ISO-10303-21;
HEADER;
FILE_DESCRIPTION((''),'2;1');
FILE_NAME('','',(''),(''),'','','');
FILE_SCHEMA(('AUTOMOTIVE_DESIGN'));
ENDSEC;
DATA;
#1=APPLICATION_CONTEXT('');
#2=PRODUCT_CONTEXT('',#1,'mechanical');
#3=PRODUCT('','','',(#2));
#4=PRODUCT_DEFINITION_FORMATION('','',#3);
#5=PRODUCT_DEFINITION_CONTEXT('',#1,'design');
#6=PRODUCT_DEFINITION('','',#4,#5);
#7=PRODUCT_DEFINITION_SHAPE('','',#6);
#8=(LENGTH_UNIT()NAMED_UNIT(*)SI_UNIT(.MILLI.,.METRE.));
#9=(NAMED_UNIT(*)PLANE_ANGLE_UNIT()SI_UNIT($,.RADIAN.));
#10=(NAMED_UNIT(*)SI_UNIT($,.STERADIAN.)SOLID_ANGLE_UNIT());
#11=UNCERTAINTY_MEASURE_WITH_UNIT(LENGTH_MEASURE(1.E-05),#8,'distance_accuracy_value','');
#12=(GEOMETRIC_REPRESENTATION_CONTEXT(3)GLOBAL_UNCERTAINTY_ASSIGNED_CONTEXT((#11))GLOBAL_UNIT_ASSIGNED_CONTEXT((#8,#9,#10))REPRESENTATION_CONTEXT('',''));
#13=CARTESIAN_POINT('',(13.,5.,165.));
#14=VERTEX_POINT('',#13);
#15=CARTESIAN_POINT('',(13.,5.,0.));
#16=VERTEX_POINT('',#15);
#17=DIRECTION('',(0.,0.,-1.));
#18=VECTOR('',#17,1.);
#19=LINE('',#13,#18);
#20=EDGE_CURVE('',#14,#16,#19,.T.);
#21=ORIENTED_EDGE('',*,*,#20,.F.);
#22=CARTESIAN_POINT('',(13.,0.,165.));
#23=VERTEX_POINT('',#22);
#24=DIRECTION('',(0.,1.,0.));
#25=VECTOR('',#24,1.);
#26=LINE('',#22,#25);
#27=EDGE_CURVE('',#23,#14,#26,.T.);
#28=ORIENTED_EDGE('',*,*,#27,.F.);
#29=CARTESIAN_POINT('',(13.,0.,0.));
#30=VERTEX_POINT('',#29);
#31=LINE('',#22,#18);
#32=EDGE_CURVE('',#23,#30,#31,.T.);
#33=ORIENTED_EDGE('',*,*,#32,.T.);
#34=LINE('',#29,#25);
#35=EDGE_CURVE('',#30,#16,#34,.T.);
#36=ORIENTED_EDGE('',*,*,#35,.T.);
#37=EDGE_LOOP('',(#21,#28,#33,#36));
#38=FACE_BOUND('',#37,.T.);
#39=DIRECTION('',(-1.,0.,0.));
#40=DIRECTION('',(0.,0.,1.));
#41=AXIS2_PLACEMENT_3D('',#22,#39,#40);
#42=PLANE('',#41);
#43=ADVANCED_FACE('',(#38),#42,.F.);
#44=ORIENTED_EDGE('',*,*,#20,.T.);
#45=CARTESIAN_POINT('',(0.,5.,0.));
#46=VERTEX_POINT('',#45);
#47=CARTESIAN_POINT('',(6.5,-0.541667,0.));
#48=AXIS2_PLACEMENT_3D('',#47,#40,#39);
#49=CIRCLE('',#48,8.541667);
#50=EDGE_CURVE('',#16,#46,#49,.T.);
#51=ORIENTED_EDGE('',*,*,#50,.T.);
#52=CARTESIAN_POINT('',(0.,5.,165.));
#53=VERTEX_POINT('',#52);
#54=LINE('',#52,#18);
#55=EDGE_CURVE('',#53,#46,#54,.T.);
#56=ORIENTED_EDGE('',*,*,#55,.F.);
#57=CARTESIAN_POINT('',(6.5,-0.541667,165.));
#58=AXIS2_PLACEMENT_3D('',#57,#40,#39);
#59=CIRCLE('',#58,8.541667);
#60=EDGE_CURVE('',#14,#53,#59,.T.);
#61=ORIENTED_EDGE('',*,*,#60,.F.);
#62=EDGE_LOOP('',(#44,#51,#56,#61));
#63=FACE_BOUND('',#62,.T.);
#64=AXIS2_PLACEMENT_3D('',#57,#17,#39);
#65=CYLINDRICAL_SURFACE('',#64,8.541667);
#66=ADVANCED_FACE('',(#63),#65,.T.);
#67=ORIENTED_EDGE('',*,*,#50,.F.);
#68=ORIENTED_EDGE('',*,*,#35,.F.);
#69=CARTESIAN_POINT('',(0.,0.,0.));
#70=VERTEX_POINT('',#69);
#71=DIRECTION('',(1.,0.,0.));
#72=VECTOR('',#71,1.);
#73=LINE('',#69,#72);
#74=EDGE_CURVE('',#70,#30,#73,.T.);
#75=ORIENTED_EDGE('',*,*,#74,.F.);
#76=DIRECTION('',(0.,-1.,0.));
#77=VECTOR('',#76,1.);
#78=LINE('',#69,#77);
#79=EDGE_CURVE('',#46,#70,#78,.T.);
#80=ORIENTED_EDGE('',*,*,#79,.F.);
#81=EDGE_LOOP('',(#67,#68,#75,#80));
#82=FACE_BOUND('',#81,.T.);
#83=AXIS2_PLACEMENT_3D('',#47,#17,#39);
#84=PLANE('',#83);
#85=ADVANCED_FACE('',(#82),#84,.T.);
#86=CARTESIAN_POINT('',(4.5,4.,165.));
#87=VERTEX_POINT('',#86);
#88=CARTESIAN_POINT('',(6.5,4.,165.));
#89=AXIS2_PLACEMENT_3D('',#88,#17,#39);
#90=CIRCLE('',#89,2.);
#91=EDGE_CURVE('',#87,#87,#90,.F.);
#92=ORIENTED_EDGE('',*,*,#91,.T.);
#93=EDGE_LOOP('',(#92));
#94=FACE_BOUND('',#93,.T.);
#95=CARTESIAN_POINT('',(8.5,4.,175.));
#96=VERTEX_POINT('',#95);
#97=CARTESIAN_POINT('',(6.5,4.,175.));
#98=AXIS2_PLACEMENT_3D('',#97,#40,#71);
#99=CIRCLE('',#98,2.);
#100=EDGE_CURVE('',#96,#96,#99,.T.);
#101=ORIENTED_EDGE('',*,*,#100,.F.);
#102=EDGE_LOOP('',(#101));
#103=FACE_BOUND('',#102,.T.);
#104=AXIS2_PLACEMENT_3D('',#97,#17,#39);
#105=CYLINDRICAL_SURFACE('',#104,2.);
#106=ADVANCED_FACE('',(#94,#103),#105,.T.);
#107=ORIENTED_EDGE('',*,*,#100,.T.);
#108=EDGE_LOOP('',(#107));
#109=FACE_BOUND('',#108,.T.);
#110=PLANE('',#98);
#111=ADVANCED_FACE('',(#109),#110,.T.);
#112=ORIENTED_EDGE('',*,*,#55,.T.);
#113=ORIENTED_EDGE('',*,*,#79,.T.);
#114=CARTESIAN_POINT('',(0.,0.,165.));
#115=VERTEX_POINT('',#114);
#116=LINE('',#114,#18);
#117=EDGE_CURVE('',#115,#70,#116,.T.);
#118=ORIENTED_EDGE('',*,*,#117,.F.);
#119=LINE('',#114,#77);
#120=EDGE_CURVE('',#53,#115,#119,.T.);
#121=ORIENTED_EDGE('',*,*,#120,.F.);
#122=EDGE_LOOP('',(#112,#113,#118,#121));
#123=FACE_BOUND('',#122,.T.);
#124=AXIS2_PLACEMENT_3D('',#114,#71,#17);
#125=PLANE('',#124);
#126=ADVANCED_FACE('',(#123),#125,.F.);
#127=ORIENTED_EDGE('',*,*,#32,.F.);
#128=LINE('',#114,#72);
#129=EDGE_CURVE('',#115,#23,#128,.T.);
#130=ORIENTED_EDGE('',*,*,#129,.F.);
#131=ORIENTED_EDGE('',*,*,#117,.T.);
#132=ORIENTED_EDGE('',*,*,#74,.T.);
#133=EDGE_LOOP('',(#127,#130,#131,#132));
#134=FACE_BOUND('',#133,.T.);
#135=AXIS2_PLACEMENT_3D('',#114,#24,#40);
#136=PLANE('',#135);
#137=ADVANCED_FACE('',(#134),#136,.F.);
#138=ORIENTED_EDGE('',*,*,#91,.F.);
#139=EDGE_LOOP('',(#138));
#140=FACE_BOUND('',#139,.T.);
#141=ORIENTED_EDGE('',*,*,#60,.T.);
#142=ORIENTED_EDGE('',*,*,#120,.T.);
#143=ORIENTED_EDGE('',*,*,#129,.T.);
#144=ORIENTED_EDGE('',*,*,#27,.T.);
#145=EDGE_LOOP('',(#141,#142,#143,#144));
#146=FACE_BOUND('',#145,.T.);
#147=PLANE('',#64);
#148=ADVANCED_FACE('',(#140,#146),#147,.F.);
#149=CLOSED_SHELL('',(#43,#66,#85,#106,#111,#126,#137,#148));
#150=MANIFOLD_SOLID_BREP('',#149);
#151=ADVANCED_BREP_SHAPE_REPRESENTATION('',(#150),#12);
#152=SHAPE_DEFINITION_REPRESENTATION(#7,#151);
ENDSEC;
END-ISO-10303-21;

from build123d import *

# Parameters (mm, degrees)
BOSS_EXTRUDE1_DEPTH = 165
SKETCH2_R           = 2
BOSS_EXTRUDE2_DEPTH = 10


with BuildPart() as part:
    # Sketch1 → Boss-Extrude1 (new body)
    with BuildSketch(Plane.XY):
        with BuildLine():
            Line((0, 0), (13, 0))
            Line((13, 0), (13, 5))
            ThreePointArc((13, 5), (6.5, 8), (0, 5))
            Line((0, 5), (0, 0))
        make_face()
    extrude(amount=BOSS_EXTRUDE1_DEPTH)

    # Sketch2 → Boss-Extrude2 (add)
    with BuildSketch(Plane.XY.offset(165)):
        with Locations(Location((6.5, 4, 0), (0, 0, 180))):
            Circle(SKETCH2_R)
    extrude(amount=BOSS_EXTRUDE2_DEPTH)


solid = part.part
